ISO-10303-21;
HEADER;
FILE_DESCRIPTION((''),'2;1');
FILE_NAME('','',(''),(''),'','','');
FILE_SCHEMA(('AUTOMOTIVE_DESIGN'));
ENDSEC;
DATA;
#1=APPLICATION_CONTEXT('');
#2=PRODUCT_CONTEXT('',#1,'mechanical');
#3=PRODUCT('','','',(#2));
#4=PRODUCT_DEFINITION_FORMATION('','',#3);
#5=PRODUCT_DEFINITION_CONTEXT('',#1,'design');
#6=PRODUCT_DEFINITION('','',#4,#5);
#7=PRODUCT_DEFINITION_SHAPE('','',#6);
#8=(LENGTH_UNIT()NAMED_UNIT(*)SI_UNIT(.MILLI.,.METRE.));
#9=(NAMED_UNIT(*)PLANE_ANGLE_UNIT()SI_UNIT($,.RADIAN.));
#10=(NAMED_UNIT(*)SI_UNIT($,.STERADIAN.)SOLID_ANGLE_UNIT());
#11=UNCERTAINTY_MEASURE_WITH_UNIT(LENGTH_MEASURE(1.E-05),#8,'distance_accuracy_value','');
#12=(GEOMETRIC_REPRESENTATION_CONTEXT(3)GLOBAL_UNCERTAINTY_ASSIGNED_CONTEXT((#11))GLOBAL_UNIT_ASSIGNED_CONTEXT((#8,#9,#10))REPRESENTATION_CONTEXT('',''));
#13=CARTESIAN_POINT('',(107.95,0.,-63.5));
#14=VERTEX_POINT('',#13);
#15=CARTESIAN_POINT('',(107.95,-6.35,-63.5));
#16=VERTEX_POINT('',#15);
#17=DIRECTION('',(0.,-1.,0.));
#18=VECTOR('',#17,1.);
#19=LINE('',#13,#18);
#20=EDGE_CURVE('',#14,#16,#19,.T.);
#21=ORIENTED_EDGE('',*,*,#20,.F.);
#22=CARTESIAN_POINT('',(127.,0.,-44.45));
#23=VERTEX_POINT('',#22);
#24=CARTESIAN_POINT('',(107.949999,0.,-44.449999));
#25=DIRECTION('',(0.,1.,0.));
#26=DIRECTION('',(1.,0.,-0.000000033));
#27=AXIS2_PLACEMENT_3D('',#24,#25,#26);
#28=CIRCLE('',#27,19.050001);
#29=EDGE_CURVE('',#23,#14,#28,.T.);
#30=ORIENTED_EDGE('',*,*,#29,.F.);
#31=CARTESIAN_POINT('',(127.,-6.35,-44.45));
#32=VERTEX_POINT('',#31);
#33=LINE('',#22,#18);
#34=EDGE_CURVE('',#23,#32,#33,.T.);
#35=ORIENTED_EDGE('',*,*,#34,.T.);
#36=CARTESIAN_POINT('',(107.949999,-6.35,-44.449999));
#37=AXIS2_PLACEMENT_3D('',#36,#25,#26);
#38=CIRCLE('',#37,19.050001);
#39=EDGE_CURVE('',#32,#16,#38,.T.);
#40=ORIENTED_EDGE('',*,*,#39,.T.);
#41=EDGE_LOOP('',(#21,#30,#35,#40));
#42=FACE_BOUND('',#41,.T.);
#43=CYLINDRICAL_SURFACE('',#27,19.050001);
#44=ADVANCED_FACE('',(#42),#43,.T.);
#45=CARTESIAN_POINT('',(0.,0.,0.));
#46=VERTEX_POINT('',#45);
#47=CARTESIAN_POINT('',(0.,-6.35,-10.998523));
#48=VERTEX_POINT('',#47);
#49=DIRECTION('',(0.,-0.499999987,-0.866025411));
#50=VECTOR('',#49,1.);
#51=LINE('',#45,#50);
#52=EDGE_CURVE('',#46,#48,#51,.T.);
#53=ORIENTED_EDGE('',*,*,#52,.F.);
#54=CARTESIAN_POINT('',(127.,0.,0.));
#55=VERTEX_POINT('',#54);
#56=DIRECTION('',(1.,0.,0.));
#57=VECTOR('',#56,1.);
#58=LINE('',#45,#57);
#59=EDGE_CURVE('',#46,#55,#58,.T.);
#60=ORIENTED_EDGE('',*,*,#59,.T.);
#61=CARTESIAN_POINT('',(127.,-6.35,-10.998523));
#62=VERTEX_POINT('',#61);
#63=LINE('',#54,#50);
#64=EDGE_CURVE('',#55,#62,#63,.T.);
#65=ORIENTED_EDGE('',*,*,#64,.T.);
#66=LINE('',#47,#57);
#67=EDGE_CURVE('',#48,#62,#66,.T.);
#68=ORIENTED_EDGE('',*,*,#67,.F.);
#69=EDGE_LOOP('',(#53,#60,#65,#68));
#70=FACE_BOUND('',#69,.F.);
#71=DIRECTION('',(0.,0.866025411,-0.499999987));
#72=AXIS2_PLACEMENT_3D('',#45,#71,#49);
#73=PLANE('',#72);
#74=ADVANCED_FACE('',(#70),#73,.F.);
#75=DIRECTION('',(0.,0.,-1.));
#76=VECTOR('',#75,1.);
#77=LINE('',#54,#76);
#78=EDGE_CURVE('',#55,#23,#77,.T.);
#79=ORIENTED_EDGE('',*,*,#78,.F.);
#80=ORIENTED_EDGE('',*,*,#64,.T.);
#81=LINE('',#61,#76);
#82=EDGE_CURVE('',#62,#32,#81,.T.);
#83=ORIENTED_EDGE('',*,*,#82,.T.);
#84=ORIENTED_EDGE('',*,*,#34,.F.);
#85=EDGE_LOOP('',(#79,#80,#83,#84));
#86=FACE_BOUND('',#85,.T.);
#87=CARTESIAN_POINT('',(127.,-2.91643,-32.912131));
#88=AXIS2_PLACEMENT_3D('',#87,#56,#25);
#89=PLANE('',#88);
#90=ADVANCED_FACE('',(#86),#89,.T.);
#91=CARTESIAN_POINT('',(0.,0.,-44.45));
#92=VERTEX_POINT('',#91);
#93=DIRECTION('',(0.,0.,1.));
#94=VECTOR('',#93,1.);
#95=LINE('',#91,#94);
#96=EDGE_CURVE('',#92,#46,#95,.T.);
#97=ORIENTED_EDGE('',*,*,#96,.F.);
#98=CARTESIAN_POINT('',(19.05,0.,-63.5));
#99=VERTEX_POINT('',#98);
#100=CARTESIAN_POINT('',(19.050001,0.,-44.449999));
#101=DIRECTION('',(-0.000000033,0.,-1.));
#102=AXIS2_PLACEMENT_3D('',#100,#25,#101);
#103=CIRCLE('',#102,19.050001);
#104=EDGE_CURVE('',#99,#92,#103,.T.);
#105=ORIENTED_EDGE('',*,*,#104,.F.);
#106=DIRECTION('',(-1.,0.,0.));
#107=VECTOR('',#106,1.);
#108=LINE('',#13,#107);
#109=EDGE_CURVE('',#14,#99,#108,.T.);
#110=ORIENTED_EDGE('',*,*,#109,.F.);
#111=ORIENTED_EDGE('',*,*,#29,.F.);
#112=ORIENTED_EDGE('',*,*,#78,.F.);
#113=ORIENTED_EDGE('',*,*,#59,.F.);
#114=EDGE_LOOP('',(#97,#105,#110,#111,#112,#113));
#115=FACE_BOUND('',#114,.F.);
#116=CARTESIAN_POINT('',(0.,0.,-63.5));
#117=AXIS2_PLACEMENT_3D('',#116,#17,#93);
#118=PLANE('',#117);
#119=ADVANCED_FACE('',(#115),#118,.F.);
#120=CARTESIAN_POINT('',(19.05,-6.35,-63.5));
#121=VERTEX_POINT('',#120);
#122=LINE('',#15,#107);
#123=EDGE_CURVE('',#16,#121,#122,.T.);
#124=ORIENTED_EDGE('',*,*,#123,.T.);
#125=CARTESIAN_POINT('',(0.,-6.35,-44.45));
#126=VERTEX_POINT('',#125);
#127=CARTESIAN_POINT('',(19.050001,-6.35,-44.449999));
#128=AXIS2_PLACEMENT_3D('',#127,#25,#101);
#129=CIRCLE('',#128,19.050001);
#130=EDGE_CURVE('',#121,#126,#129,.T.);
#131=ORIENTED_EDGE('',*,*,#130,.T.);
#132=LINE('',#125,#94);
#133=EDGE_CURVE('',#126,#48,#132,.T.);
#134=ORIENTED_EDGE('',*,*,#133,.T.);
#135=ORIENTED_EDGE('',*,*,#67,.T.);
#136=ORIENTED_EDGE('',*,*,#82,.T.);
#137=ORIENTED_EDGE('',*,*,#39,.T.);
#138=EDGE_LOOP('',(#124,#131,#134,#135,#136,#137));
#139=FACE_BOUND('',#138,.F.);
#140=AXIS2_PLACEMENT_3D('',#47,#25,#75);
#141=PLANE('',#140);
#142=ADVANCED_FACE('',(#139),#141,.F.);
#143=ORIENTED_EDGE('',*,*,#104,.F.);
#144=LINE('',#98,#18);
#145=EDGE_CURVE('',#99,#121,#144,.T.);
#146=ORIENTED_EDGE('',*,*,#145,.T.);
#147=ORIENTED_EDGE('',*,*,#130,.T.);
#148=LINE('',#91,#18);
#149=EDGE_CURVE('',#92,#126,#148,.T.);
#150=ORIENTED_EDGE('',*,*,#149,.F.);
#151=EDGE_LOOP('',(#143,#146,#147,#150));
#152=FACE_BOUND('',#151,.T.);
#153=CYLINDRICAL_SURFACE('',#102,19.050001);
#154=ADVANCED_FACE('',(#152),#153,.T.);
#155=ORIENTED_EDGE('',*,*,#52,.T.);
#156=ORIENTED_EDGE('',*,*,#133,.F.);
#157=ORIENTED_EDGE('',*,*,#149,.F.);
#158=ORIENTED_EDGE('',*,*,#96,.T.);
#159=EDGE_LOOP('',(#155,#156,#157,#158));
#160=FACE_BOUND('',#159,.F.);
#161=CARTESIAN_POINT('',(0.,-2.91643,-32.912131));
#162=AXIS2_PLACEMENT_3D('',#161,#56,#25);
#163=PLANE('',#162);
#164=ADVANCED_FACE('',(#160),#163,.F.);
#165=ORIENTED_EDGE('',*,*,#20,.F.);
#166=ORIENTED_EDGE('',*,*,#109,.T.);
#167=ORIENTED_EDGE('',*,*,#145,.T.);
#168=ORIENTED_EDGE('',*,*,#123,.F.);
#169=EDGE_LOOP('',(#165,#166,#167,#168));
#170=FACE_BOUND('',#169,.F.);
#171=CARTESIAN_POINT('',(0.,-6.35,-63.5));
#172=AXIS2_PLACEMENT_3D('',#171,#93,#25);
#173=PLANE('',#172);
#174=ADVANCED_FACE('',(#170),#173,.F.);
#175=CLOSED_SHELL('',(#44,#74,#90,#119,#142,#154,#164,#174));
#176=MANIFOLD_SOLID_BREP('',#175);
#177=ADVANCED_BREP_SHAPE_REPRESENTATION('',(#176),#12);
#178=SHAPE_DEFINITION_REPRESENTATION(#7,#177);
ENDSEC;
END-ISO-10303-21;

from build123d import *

# Parameters (mm, degrees)
F1_DEPTH = 127
F3_DEPTH = 7.366


with BuildPart() as f1:
    # F0 (on Right) → F1 (new body)
    with BuildSketch(Plane.YZ):
        Polygon((0, -63.5), (0, 0), (-6.35, -10.998523), (-6.35, -63.5), align=None)
    extrude(amount=F1_DEPTH)

    # F2 (on Front) → F3 (cut)
    with BuildSketch(Plane.XZ):
        with BuildLine():
            Line((0, -44.45), (0, -33.842908))
            Line((0, -33.842908), (-28.897969, -33.245133))
            Line((-28.897969, -33.245133), (-28.897969, -77.647364))
            Line((-28.897969, -77.647364), (46.444243, -77.647364))
            Line((46.444243, -77.647364), (44.850173, -63.5))
            Line((44.850173, -63.5), (19.05, -63.5))
            ThreePointArc((19.05, -63.5), (5.579616, -57.920384), (0, -44.45))
        make_face()
        with BuildLine():
            Line((143.538471, -31.044858), (127, -30.048563))
            Line((127, -30.048563), (127, -44.45))
            ThreePointArc((127, -44.45), (121.420384, -57.920384), (107.95, -63.5))
            Line((107.95, -63.5), (99.701572, -63.5))
            Line((99.701572, -63.5), (99.701572, -83.425855))
            Line((99.701572, -83.425855), (143.538471, -83.425855))
            Line((143.538471, -83.425855), (143.538471, -31.044858))
        make_face()
    extrude(amount=F3_DEPTH, mode=Mode.SUBTRACT)


solid = f1.part
